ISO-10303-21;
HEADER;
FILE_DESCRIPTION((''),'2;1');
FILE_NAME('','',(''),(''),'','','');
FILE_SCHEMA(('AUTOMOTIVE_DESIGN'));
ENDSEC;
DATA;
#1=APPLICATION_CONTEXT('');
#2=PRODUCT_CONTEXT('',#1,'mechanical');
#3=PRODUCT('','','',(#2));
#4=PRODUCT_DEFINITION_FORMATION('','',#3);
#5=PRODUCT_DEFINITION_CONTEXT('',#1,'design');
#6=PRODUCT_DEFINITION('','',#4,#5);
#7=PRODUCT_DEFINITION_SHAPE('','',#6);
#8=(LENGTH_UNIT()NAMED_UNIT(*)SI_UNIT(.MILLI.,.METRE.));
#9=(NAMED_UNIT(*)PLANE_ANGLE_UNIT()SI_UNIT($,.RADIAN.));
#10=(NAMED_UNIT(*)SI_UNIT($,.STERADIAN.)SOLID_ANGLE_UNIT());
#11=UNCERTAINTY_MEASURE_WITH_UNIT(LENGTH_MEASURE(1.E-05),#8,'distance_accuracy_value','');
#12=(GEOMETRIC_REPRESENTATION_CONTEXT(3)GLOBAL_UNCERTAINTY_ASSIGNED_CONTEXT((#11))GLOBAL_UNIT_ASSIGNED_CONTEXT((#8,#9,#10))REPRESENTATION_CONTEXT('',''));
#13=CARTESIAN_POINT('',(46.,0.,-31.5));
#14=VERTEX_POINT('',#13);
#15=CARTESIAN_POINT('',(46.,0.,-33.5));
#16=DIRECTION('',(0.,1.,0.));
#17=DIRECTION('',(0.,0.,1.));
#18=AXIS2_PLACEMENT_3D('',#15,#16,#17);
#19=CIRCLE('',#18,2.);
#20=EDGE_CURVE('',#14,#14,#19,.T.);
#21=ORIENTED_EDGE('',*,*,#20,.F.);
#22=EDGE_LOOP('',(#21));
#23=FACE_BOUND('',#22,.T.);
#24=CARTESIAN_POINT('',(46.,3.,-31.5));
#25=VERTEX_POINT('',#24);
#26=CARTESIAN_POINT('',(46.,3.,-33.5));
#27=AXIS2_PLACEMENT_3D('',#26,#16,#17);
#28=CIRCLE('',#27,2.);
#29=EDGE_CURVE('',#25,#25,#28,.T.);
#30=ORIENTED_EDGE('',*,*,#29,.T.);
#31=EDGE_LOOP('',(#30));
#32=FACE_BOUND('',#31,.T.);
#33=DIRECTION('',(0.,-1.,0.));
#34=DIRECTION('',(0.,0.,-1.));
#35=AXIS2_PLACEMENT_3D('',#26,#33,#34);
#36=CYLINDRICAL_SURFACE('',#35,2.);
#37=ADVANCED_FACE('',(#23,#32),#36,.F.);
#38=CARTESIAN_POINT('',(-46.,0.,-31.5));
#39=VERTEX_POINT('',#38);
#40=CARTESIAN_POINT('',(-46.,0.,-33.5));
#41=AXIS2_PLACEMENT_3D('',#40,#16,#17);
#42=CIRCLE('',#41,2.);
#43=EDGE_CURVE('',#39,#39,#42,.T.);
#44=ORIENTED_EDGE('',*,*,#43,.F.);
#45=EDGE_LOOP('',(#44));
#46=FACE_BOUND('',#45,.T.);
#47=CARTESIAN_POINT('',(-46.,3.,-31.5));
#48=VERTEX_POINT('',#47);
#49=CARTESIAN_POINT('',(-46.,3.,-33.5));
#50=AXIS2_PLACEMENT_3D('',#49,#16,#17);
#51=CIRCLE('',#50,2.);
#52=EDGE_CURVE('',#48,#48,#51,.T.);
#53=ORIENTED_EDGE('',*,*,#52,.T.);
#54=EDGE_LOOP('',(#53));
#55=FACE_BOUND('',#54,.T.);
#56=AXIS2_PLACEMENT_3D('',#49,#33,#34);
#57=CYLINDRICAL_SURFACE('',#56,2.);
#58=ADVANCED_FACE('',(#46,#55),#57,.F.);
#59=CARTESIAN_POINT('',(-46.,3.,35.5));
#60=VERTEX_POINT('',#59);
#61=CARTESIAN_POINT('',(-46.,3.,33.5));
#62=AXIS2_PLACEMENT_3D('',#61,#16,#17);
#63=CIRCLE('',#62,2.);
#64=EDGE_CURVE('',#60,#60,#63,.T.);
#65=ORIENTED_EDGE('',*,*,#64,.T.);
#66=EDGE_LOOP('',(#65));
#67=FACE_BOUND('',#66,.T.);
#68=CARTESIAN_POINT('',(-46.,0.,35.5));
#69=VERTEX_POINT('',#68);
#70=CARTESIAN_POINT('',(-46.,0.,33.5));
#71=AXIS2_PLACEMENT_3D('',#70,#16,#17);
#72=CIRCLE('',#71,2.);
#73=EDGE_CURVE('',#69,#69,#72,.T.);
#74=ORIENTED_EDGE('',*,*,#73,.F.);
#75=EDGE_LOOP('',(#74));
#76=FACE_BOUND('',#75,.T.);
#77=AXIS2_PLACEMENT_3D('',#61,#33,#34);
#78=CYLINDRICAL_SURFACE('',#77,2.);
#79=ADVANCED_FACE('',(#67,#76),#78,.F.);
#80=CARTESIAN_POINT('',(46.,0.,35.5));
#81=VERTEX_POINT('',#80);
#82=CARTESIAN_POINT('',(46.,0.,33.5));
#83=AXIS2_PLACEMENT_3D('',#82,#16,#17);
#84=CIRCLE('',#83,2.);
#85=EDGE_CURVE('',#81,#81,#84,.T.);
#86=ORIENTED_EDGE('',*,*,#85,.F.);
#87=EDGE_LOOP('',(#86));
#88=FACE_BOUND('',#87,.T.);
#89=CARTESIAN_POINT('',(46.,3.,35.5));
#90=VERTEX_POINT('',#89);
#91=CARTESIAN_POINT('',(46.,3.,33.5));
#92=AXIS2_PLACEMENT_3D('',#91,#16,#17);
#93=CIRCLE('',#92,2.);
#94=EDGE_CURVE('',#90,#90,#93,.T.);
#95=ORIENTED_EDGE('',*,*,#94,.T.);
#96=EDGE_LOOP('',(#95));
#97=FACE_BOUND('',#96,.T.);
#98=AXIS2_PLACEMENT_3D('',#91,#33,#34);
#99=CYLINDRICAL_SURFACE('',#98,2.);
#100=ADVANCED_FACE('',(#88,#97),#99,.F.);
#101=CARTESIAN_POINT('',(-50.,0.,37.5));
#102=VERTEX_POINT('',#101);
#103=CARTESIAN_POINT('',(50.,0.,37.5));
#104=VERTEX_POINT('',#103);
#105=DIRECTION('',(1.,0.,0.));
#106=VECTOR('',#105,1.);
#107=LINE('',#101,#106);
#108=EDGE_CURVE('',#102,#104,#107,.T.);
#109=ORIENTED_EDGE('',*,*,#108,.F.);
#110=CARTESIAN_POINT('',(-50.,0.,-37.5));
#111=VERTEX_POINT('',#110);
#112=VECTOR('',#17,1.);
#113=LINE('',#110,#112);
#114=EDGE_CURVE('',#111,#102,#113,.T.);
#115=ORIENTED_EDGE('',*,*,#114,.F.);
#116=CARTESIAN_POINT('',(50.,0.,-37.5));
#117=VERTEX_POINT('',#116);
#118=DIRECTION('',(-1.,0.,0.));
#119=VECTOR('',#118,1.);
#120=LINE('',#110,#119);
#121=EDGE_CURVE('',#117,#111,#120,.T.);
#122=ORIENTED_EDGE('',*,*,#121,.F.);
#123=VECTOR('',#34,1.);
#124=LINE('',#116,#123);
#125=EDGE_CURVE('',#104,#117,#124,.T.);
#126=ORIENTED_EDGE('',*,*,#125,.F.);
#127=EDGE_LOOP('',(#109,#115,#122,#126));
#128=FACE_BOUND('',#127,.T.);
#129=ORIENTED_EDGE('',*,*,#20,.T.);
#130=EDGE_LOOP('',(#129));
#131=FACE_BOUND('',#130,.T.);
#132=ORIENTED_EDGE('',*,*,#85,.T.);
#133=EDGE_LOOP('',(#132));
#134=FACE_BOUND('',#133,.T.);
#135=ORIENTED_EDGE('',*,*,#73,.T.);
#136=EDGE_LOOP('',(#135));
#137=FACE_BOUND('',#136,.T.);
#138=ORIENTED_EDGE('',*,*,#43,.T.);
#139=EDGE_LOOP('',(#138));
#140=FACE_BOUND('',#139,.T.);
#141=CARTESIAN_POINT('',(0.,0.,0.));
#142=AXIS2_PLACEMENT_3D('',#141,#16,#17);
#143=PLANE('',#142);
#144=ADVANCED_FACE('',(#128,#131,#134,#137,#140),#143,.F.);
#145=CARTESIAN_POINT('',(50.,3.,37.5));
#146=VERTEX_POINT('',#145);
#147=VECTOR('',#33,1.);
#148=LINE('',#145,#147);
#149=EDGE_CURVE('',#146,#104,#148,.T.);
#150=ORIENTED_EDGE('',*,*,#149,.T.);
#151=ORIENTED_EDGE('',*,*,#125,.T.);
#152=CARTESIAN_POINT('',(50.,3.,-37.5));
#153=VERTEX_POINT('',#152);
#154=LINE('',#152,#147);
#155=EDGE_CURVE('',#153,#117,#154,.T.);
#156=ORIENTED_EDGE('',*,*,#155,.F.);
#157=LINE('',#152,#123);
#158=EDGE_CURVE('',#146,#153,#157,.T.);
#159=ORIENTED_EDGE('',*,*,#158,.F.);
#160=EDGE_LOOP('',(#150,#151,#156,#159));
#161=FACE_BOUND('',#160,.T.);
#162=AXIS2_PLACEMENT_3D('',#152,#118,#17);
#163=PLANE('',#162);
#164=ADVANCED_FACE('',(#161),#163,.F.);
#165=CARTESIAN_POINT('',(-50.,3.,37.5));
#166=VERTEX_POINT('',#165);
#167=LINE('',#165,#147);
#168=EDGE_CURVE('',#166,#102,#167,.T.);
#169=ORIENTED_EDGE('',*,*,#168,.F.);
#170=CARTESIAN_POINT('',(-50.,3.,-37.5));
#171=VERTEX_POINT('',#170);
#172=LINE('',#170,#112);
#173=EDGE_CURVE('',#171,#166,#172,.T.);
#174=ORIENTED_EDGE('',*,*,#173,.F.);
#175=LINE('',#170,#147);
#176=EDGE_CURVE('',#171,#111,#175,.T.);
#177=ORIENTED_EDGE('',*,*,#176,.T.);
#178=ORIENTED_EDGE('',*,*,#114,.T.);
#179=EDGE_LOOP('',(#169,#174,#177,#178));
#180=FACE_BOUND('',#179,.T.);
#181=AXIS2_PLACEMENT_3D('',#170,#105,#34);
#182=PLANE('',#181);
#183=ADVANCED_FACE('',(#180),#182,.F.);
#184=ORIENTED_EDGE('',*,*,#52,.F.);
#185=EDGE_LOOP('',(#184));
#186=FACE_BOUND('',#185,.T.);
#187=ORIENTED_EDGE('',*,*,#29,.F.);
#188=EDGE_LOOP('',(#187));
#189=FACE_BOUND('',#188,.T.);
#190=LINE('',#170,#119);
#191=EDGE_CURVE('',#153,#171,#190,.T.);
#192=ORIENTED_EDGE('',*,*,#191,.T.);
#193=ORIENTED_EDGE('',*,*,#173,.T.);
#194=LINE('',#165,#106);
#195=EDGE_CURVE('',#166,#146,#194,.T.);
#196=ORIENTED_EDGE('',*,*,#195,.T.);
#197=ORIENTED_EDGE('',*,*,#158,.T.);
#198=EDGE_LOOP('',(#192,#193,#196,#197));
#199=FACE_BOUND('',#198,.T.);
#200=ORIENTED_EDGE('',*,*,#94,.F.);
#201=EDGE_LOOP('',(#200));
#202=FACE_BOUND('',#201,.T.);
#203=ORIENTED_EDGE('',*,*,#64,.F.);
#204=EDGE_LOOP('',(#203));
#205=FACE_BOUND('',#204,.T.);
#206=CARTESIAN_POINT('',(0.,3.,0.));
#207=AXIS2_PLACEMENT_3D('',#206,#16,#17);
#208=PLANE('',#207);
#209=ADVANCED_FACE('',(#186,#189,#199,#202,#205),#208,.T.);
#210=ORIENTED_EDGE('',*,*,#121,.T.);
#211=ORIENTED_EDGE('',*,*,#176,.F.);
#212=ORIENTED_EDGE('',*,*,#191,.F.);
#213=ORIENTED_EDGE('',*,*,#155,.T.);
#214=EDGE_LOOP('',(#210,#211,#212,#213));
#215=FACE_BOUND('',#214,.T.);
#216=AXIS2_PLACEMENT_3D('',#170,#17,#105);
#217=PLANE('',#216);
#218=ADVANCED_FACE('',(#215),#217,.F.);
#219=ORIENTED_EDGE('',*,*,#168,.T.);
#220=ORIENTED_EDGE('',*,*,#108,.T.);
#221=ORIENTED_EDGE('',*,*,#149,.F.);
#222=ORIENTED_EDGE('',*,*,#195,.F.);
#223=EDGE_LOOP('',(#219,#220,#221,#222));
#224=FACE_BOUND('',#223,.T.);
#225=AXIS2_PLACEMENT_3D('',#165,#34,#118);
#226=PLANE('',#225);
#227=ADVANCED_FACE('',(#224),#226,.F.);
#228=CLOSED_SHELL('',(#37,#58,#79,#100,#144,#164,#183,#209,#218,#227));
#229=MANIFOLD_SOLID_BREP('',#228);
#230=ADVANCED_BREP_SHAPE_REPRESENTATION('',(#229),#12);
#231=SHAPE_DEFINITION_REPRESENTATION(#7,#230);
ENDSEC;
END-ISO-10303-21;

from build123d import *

# Parameters (mm, degrees)
SKETCH1_W           = 100
SKETCH1_H           = 75
SKETCH1_R           = 2
BOSS_EXTRUDE1_DEPTH = 3


with BuildPart() as part:
    # Sketch1 → Boss-Extrude1 (new body)
    with BuildSketch(Plane(origin=(0, 0, 0), x_dir=(1, 0, 0), z_dir=(0, 1, 0))):
        Rectangle(SKETCH1_W, SKETCH1_H)
        with Locations(Location((-46, -33.5, 0), (0, 0, 270))):
            Circle(SKETCH1_R, mode=Mode.SUBTRACT)
        with Locations(Location((46, -33.5, 0), (0, 0, 270))):
            Circle(SKETCH1_R, mode=Mode.SUBTRACT)
        with Locations(Location((46, 33.5, 0), (0, 0, 270))):
            Circle(SKETCH1_R, mode=Mode.SUBTRACT)
        with Locations(Location((-46, 33.5, 0), (0, 0, 270))):
            Circle(SKETCH1_R, mode=Mode.SUBTRACT)
    extrude(amount=BOSS_EXTRUDE1_DEPTH)


solid = part.part
